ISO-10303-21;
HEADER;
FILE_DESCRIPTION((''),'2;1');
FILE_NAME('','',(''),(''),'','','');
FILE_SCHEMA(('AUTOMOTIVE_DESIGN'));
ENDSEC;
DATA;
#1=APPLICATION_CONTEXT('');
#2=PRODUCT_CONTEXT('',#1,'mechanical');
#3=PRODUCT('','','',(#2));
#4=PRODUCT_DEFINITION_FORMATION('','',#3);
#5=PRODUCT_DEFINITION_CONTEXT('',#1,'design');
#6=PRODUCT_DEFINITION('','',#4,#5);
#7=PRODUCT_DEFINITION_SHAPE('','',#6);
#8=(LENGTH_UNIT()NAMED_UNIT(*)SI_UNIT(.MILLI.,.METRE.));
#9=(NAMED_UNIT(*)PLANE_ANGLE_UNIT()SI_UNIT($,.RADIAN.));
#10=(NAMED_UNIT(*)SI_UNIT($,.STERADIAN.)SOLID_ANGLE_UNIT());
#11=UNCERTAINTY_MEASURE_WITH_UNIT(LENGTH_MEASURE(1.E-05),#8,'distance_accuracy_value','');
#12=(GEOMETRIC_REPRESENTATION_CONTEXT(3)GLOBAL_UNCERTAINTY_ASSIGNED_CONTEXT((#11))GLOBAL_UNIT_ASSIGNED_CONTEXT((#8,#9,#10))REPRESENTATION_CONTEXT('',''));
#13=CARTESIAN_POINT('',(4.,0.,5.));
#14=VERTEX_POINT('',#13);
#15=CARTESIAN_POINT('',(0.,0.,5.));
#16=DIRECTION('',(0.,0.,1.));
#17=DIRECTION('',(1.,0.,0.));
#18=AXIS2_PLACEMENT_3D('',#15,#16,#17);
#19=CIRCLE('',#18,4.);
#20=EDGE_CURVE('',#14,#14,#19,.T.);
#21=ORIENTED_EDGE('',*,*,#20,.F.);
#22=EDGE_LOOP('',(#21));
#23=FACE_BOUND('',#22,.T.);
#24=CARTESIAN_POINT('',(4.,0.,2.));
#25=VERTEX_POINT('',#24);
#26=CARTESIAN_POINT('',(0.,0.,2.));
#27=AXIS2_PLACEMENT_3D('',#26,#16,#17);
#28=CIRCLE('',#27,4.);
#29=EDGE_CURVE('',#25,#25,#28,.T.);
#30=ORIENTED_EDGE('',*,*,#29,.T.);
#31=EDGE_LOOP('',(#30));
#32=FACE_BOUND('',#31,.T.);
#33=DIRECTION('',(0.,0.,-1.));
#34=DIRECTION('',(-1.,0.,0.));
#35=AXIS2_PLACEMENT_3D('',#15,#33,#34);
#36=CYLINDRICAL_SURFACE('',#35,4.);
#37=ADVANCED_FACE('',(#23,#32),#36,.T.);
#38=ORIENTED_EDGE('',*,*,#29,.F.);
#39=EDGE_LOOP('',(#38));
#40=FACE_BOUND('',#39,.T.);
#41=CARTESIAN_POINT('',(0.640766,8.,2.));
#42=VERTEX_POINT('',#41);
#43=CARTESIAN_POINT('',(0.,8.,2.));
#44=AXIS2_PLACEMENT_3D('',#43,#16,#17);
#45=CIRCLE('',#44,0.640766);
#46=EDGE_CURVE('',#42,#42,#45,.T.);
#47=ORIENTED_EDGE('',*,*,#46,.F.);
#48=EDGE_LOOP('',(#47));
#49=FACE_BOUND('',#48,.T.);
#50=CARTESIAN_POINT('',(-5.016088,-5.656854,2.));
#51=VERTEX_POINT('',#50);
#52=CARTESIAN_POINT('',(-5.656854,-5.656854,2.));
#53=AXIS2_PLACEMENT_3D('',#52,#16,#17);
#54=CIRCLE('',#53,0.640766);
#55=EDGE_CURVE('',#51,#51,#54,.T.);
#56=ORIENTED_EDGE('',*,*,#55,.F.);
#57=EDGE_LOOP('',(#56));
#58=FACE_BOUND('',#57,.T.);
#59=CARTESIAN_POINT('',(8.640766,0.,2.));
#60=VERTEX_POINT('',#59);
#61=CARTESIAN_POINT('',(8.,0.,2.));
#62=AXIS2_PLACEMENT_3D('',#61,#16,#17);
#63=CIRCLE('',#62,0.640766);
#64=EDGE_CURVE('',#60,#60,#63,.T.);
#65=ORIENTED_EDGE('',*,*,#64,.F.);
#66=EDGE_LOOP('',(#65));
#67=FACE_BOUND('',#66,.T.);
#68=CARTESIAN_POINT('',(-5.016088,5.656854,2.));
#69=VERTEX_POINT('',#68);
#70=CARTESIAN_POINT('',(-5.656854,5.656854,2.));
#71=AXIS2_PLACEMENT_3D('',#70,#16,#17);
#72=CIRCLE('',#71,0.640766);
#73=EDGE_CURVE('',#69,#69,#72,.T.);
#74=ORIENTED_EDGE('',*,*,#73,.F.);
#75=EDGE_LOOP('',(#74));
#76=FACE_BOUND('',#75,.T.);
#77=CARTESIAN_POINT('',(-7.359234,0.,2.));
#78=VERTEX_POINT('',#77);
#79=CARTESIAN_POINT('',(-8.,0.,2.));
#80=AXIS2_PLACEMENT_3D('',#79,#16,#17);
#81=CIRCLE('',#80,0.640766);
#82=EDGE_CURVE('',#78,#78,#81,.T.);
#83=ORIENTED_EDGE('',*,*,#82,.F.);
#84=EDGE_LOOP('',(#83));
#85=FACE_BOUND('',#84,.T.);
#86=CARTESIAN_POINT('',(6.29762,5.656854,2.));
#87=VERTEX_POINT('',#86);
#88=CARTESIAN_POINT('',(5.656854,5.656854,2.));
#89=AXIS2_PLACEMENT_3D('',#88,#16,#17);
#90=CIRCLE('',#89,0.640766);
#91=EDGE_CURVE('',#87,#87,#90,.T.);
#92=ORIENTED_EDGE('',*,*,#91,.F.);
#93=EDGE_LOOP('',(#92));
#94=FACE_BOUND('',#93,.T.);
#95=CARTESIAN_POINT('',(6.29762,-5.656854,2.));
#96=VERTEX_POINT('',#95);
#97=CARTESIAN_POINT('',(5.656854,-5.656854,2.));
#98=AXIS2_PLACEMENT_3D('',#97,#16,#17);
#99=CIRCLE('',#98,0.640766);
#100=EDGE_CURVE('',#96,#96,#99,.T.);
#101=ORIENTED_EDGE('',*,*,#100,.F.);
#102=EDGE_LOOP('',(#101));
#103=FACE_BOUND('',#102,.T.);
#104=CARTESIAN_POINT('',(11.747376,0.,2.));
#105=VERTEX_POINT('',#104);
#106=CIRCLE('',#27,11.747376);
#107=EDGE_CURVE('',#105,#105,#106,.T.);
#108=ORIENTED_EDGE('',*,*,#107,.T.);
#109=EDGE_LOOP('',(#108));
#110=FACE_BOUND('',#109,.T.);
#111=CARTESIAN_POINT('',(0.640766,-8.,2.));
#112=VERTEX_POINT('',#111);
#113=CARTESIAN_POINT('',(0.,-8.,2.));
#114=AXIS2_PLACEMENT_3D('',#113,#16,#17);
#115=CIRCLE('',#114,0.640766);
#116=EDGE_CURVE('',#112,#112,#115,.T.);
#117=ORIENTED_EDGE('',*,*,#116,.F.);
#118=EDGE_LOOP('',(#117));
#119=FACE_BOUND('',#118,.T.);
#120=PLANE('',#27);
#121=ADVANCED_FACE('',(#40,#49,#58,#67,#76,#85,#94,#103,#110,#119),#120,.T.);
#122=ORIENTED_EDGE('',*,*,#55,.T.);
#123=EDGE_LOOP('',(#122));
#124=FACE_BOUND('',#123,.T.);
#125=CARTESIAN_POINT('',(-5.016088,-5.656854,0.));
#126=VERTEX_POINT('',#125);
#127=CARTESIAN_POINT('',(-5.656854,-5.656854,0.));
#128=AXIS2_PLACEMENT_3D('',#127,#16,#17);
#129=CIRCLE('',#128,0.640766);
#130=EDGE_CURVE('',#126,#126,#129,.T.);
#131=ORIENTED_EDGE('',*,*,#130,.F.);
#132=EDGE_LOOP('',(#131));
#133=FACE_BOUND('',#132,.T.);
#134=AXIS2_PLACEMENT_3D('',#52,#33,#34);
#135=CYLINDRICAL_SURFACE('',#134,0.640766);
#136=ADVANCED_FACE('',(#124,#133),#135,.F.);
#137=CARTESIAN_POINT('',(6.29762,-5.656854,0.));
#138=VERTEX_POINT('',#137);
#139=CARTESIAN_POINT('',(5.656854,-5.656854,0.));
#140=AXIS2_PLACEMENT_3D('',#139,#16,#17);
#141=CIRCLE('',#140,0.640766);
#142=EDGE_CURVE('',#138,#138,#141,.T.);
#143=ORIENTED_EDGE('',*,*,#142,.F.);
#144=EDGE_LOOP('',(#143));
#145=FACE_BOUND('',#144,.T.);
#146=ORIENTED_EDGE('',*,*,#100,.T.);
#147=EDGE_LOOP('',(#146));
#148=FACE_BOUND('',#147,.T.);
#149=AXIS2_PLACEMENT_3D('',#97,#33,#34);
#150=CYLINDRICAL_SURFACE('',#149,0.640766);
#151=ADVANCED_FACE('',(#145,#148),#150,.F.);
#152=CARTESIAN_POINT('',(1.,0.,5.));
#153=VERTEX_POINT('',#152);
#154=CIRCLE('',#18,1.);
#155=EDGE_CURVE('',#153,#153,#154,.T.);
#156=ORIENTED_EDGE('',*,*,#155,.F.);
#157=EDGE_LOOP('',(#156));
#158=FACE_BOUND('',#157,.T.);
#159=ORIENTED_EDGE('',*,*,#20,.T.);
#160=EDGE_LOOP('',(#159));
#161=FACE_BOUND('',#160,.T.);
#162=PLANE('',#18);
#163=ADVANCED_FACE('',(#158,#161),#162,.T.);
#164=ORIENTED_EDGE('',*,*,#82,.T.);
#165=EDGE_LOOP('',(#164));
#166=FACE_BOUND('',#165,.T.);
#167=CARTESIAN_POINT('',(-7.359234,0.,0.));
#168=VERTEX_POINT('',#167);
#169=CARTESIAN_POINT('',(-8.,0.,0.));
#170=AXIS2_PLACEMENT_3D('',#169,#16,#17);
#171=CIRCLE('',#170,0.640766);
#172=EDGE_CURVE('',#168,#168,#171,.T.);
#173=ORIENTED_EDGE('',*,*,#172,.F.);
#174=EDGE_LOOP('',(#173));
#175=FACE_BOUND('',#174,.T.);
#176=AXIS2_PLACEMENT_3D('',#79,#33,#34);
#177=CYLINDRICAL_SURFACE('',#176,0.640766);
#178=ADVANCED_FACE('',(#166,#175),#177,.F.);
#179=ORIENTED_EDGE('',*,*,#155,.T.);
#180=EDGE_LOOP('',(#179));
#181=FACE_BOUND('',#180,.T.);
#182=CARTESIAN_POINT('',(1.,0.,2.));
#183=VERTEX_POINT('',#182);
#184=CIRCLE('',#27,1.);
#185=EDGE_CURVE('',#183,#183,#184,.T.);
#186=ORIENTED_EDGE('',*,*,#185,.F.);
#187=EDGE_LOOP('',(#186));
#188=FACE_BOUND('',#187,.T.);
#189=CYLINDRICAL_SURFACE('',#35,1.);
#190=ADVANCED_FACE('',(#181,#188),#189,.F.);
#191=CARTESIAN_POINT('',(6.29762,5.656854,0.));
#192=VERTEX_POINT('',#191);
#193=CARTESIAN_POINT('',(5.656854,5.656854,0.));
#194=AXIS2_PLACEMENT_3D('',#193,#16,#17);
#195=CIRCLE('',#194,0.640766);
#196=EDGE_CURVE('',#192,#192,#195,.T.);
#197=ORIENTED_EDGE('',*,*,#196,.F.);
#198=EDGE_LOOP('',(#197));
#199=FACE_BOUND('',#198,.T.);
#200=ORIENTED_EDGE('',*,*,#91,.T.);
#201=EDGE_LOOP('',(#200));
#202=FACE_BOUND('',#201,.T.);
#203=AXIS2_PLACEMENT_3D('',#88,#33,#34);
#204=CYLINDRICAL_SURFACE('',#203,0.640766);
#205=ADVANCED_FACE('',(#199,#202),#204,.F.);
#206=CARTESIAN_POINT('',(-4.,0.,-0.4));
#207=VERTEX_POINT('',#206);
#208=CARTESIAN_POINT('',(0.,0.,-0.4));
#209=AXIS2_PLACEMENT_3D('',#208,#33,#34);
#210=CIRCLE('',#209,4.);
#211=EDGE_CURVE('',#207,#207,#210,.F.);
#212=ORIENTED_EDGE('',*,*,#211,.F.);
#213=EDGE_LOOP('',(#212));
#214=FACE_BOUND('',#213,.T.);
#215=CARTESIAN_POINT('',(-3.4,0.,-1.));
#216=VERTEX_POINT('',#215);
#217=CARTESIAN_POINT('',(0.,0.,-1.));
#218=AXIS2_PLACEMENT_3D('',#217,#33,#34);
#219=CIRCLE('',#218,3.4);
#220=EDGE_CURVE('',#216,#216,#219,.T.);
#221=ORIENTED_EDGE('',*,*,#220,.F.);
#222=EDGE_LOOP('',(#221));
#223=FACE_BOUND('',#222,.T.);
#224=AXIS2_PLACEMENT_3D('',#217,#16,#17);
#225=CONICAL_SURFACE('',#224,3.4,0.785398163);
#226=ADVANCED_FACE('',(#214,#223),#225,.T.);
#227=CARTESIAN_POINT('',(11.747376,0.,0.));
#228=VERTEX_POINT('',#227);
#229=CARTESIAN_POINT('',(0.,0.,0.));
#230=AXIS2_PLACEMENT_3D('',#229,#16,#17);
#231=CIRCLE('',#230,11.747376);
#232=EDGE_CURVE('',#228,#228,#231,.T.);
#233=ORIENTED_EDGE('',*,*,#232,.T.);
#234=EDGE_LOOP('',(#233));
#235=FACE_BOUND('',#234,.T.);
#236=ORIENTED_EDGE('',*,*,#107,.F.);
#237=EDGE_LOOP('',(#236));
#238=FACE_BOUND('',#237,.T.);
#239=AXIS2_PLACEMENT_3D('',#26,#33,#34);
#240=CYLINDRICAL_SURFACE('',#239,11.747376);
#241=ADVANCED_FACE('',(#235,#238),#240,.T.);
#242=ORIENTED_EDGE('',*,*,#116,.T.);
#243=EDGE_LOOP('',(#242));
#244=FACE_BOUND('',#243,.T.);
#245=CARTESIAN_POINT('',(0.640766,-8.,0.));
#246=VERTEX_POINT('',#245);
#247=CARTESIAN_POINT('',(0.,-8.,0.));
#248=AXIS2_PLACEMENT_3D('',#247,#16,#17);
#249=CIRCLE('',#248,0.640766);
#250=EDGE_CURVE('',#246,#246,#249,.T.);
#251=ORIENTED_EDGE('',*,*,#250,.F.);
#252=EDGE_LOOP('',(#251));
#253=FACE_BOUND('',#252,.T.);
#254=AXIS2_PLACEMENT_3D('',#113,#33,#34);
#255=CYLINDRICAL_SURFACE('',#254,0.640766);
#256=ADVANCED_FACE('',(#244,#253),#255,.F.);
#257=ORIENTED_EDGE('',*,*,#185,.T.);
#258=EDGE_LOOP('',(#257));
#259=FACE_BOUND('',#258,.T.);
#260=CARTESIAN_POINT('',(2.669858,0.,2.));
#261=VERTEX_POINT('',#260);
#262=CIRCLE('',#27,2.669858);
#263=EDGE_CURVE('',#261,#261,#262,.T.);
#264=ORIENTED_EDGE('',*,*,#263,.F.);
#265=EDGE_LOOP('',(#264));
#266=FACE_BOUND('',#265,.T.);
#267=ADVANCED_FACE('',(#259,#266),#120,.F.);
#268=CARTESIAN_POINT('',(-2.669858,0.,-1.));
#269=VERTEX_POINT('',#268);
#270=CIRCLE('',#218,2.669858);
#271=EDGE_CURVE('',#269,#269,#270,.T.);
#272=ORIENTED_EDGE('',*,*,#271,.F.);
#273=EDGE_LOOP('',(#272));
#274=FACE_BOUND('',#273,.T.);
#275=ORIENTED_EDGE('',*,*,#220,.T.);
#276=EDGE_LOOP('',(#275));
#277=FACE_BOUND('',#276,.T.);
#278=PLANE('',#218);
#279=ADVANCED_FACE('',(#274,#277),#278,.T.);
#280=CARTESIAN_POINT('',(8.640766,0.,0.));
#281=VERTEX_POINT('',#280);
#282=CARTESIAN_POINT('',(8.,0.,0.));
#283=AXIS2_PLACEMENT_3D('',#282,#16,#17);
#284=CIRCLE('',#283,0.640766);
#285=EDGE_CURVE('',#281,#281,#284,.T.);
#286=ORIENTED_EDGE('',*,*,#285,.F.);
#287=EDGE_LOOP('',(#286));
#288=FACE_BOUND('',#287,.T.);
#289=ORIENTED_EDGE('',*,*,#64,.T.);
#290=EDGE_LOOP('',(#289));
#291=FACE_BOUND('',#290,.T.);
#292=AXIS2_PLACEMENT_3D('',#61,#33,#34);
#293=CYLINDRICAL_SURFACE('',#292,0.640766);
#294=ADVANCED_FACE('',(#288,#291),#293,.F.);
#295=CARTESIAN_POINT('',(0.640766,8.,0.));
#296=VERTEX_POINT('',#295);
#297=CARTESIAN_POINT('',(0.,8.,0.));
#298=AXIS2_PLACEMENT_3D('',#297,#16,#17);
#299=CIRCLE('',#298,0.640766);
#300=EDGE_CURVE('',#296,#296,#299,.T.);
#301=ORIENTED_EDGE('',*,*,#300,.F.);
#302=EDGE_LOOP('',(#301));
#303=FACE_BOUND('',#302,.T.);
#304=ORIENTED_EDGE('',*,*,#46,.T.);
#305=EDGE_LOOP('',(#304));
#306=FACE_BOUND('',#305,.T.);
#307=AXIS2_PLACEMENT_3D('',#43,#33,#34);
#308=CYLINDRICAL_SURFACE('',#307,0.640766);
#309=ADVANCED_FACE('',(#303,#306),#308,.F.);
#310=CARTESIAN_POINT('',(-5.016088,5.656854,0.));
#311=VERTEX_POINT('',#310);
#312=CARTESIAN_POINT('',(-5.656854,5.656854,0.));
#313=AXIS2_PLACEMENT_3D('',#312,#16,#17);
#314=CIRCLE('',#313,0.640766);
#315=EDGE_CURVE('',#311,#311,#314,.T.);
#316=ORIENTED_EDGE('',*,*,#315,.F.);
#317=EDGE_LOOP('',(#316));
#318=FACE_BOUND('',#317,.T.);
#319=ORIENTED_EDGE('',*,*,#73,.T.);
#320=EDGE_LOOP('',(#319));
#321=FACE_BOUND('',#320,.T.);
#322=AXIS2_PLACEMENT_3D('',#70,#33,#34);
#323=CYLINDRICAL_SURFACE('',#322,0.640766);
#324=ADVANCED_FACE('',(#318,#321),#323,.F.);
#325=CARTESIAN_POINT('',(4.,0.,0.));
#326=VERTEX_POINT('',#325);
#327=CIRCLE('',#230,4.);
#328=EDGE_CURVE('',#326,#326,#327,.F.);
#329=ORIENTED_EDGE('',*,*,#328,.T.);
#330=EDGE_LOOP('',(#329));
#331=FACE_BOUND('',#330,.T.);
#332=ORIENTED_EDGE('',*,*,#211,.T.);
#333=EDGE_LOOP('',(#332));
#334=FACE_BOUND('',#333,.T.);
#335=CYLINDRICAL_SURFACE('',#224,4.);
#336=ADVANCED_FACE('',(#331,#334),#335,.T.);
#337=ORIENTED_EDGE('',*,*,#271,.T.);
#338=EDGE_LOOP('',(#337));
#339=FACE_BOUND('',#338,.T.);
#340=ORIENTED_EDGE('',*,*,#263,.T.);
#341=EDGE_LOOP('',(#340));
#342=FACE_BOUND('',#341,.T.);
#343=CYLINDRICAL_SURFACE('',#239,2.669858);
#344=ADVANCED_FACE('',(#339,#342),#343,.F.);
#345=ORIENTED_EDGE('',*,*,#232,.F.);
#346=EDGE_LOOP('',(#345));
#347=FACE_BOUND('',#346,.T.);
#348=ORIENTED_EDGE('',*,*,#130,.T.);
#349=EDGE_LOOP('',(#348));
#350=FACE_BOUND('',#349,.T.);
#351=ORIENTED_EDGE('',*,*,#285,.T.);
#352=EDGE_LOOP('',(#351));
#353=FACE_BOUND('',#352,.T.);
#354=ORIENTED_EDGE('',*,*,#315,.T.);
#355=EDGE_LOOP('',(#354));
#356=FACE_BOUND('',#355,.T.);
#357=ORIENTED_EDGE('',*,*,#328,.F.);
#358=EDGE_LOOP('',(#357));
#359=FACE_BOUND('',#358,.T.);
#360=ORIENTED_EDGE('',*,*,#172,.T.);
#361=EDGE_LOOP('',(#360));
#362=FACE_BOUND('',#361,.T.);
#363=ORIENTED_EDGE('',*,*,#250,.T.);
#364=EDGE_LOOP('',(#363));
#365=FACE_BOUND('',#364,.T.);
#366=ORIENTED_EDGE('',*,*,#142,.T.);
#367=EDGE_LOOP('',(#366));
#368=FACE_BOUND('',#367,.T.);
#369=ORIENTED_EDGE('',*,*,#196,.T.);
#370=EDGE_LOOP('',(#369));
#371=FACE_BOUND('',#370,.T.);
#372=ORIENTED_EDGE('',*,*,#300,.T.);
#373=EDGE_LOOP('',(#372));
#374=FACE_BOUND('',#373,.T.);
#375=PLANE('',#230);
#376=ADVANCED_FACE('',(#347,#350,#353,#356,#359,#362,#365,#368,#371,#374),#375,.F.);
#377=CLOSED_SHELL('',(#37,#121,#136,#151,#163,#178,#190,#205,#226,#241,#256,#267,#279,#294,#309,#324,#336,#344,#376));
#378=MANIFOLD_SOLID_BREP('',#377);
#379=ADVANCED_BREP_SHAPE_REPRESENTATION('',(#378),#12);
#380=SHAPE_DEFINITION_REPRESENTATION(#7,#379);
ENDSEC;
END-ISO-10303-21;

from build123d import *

# Parameters (mm, degrees)
SKETCH1_R           = 11.747376147
SKETCH1_R_2         = 2.669858215
SKETCH1_R_3         = 0.640765972
BOSS_EXTRUDE1_DEPTH = 2
SKETCH2_R           = 4
SKETCH2_R_2         = 1
BOSS_EXTRUDE2_DEPTH = 3
SKETCH3_R           = 4
SKETCH3_R_2         = 2.669858215
BOSS_EXTRUDE3_DEPTH = 1
CHAMFER1_SIZE       = 0.6


with BuildPart() as part:
    # Sketch1 → Boss-Extrude1 (new body)
    with BuildSketch(Plane.XY):
        Circle(SKETCH1_R)
        Circle(SKETCH1_R_2, mode=Mode.SUBTRACT)
        with Locations((0, 8)):
            Circle(SKETCH1_R_3, mode=Mode.SUBTRACT)
        with Locations((5.656854249, 5.656854249)):
            Circle(SKETCH1_R_3, mode=Mode.SUBTRACT)
        with Locations((8, 0)):
            Circle(SKETCH1_R_3, mode=Mode.SUBTRACT)
        with Locations((5.656854249, -5.656854249)):
            Circle(SKETCH1_R_3, mode=Mode.SUBTRACT)
        with Locations((0, -8)):
            Circle(SKETCH1_R_3, mode=Mode.SUBTRACT)
        with Locations((-5.656854249, -5.656854249)):
            Circle(SKETCH1_R_3, mode=Mode.SUBTRACT)
        with Locations((-8, 0)):
            Circle(SKETCH1_R_3, mode=Mode.SUBTRACT)
        with Locations((-5.656854249, 5.656854249)):
            Circle(SKETCH1_R_3, mode=Mode.SUBTRACT)
    extrude(amount=BOSS_EXTRUDE1_DEPTH)

    # Sketch2 → Boss-Extrude2 (add)
    with BuildSketch(Plane.XY.offset(2)):
        Circle(SKETCH2_R)
        Circle(SKETCH2_R_2, mode=Mode.SUBTRACT)
    extrude(amount=BOSS_EXTRUDE2_DEPTH)

    # Sketch3 → Boss-Extrude3 (add)
    with BuildSketch(Plane(origin=(0, 0, 0), x_dir=(-1, 0, 0), z_dir=(0, 0, -1))):
        Circle(SKETCH3_R)
        Circle(SKETCH3_R_2, mode=Mode.SUBTRACT)
    extrude(amount=BOSS_EXTRUDE3_DEPTH)

    # Chamfer1
    chamfer1_edges = [part.edges().sort_by_distance(p)[0] for p in [
        (4, 0, -1),
    ]]
    chamfer(chamfer1_edges, length=CHAMFER1_SIZE)


solid = part.part
